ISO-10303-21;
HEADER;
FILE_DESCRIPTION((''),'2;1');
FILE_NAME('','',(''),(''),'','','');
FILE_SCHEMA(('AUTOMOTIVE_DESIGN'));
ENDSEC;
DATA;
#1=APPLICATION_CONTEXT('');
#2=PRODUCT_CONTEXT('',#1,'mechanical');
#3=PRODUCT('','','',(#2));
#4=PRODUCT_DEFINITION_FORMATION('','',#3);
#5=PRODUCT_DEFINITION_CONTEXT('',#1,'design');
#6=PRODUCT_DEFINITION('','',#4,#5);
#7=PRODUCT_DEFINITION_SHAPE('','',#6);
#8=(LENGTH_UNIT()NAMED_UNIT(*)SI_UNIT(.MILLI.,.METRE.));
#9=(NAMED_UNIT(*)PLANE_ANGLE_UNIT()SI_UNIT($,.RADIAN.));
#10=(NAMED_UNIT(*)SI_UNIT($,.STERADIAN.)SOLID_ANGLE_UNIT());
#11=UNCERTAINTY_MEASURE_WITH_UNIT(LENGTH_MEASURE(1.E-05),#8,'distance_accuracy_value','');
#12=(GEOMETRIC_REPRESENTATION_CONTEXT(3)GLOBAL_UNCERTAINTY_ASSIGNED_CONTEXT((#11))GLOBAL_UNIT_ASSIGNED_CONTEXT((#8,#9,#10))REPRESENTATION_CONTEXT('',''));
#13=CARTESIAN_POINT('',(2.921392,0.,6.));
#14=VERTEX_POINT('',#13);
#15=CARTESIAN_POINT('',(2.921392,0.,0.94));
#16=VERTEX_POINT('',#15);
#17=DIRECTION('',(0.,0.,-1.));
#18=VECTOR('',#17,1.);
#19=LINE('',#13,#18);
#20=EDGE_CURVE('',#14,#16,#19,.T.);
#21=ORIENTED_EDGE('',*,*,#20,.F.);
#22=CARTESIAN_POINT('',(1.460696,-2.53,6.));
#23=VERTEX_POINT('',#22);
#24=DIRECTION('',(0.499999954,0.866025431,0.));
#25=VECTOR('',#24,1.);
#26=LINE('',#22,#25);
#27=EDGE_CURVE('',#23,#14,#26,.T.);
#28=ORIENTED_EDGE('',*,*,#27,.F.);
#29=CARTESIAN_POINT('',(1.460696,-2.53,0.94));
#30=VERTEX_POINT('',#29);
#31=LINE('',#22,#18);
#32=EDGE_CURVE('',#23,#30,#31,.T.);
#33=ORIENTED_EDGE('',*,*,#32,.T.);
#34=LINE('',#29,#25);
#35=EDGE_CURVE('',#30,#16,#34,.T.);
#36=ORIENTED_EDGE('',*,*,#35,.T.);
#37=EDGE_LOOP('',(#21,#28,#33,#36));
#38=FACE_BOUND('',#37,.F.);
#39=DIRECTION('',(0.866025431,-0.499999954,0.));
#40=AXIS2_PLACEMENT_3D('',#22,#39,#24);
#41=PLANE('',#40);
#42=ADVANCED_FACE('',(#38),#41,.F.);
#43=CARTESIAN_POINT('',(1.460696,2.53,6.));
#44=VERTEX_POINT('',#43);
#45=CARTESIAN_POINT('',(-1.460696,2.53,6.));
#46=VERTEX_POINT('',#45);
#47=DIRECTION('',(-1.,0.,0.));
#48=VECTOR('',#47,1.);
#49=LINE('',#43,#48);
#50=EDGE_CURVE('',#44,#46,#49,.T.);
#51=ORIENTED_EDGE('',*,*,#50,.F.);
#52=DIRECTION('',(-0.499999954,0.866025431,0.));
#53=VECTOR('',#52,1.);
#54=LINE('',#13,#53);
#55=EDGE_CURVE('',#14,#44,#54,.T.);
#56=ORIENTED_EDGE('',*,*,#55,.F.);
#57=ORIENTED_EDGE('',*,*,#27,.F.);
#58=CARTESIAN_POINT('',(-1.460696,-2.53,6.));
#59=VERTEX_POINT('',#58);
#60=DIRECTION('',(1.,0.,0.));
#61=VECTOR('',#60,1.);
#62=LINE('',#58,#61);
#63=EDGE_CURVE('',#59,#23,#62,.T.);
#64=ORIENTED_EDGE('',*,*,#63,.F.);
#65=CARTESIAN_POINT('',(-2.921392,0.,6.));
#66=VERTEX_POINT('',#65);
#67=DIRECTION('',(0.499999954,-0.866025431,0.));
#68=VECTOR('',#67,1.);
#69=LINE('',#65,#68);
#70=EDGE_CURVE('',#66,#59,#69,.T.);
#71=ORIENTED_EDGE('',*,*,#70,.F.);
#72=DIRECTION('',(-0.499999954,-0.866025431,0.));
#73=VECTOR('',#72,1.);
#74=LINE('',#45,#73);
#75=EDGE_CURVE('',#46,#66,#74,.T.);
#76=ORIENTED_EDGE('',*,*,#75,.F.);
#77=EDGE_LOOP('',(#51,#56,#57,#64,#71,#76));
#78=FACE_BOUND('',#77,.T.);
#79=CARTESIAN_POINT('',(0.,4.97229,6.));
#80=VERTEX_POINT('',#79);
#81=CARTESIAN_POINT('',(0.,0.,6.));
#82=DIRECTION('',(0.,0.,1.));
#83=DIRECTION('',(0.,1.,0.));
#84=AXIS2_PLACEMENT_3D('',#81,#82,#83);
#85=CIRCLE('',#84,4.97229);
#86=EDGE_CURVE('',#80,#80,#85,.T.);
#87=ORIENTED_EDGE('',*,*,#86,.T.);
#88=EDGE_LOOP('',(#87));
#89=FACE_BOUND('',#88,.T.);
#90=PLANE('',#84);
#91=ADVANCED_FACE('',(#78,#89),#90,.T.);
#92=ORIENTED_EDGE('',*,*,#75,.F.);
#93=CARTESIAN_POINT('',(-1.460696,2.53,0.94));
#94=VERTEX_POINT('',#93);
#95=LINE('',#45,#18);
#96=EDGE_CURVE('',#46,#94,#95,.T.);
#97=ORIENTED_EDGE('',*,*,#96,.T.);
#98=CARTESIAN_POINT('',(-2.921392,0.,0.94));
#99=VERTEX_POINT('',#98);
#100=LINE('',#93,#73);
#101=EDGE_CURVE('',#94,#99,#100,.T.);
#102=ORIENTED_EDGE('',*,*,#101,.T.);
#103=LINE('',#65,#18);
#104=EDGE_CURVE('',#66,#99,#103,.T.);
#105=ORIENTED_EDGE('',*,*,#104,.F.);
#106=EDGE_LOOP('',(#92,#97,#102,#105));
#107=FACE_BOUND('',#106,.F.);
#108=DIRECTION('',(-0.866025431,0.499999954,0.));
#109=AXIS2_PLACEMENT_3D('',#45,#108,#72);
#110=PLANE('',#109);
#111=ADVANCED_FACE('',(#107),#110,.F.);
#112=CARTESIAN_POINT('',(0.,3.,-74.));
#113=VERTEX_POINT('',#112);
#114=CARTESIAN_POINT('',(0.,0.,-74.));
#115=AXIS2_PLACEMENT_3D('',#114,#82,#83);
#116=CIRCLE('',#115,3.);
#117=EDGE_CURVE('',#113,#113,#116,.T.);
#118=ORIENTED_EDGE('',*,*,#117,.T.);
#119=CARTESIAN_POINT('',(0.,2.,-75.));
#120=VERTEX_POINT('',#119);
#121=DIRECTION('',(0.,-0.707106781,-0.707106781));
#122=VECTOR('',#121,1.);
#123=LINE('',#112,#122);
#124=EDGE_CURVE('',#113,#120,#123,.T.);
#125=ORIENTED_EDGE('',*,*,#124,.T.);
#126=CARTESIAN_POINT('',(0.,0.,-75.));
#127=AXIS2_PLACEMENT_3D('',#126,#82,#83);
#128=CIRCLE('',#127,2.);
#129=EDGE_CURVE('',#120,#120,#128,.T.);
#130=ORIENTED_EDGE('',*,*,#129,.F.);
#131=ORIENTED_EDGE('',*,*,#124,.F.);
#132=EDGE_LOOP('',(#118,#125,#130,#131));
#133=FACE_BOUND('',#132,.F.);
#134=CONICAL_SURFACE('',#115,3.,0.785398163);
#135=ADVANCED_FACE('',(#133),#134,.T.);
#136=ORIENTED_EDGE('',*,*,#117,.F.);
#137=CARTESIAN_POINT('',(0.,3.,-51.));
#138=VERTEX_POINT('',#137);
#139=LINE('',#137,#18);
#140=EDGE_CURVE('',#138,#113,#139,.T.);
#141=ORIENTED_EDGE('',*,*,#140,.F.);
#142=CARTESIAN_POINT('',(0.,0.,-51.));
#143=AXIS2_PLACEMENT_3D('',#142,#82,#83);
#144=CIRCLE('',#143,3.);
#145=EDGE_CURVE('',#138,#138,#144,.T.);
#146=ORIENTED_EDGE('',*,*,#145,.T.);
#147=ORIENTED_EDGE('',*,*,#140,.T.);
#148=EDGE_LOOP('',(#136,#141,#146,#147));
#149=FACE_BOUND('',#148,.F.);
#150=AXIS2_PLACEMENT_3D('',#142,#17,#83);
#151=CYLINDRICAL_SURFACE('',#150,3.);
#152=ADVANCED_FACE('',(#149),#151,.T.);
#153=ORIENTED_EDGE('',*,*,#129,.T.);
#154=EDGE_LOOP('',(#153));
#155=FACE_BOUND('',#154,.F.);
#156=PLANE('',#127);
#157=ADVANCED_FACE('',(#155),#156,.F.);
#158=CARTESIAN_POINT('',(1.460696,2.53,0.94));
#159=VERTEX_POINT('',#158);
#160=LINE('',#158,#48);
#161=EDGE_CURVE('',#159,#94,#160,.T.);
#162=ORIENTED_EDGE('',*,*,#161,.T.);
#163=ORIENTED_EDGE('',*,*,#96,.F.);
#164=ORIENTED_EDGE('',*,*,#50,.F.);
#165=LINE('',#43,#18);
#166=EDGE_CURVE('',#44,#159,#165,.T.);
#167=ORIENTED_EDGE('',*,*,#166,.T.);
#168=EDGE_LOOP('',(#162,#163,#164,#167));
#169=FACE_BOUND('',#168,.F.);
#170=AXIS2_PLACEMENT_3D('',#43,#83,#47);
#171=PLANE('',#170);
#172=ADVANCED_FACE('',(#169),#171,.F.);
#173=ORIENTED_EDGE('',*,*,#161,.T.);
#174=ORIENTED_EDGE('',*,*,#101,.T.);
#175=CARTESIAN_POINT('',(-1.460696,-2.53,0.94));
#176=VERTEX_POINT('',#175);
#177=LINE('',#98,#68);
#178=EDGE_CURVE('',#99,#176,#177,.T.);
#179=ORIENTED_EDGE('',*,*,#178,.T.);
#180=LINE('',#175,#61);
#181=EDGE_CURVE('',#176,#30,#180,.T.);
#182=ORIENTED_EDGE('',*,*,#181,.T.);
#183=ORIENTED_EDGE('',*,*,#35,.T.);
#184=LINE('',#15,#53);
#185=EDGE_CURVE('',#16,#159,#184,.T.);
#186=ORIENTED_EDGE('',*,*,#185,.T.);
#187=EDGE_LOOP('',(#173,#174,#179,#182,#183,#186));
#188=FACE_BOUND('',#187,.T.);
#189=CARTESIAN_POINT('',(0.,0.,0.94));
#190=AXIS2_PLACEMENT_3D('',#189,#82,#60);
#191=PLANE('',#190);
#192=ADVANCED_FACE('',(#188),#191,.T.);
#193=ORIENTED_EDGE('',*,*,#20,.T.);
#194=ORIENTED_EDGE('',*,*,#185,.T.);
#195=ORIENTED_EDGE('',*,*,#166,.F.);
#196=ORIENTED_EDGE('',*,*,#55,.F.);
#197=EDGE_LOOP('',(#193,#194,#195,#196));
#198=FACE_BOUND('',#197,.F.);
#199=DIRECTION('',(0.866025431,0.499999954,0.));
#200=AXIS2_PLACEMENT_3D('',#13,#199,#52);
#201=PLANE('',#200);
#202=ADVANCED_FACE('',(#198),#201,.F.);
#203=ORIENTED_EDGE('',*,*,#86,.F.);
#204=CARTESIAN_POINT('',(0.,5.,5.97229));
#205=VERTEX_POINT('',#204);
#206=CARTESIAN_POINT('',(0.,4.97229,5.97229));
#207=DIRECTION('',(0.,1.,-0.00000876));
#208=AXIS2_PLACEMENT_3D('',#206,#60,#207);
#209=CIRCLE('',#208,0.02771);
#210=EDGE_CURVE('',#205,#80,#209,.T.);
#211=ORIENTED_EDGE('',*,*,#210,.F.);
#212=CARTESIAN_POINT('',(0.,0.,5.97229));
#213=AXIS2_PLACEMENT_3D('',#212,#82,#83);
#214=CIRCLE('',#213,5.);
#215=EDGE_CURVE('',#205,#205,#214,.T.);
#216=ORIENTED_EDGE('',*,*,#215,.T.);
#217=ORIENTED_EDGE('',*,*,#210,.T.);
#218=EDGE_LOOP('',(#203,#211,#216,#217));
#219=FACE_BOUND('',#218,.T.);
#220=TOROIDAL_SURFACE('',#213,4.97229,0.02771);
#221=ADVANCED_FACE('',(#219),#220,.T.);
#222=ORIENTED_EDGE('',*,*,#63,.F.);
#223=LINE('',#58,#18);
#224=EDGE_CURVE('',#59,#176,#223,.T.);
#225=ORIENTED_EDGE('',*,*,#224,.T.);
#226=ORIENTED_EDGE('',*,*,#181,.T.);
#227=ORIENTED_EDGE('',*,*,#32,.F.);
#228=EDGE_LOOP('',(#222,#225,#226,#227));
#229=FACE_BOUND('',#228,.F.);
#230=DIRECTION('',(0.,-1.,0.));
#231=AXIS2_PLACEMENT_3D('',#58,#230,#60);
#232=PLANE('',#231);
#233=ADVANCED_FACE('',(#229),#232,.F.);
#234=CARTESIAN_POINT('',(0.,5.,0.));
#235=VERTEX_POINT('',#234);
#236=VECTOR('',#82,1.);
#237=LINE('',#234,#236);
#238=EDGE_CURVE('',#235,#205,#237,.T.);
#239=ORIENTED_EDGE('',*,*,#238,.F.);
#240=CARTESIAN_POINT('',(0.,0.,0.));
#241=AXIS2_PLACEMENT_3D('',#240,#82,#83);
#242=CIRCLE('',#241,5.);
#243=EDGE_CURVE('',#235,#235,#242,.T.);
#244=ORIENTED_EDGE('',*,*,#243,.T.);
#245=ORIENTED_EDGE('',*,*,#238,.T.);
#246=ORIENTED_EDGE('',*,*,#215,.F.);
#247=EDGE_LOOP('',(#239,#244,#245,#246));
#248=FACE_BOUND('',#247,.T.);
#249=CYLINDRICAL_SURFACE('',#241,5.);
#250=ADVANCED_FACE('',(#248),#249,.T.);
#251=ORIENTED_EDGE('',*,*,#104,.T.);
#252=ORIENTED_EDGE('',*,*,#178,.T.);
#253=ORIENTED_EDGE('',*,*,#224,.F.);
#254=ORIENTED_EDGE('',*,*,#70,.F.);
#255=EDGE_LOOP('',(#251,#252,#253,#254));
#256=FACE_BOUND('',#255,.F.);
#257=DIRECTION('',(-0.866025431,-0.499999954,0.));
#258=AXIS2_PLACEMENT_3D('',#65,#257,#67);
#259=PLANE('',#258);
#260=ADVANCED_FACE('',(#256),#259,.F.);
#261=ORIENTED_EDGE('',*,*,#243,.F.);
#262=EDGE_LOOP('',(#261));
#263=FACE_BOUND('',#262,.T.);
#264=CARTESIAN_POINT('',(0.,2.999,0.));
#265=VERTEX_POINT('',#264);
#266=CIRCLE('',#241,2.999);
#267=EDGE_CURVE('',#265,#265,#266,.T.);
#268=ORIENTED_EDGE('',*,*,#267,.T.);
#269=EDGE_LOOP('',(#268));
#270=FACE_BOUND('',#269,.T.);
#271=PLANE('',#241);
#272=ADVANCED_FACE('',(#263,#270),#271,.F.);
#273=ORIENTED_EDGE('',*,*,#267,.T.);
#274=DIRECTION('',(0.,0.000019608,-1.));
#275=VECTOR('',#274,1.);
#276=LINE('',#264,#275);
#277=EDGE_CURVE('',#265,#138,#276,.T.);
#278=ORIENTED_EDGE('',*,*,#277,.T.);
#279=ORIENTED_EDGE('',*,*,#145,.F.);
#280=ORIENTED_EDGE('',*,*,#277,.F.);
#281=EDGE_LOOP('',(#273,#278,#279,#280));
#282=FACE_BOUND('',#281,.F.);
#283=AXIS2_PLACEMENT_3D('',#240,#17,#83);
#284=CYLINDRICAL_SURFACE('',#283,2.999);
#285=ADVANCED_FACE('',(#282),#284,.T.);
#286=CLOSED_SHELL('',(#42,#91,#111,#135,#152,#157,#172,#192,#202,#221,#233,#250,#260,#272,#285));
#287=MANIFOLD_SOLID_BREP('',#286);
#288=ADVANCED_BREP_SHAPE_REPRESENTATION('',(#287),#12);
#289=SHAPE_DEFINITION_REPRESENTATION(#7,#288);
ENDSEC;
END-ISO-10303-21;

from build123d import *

# Parameters (mm, degrees)
POCKET_DEPTH = 5.06


with BuildPart() as part:
    # Sketch → Revolve (revolve)
    with BuildSketch(Plane.YZ):
        with BuildLine():
            Line((2.999, 0), (5, 0))
            Line((5, 0), (5, 5.97229))
            ThreePointArc((5, 5.97229), (4.991884, 5.991884), (4.97229, 6))
            Line((4.97229, 6), (0, 6))
            Line((0, -75), (0, 6))
            Line((2, -75), (0, -75))
            Line((3, -74), (2, -75))
            Line((3, -51), (3, -74))
            Line((2.999, 0), (3, -51))
        make_face()
    revolve(axis=Axis((0, 0, 0), (0, 0, 1)))

    # Sketch001 → Pocket (cut)
    with BuildSketch(Plane.XY.offset(6)):
        Polygon((2.921392, 0), (1.460696, 2.53), (-1.460696, 2.53), (-2.921392, 0), (-1.460696, -2.53), (1.460696, -2.53), align=None)
    extrude(amount=-POCKET_DEPTH, mode=Mode.SUBTRACT)


solid = part.part
